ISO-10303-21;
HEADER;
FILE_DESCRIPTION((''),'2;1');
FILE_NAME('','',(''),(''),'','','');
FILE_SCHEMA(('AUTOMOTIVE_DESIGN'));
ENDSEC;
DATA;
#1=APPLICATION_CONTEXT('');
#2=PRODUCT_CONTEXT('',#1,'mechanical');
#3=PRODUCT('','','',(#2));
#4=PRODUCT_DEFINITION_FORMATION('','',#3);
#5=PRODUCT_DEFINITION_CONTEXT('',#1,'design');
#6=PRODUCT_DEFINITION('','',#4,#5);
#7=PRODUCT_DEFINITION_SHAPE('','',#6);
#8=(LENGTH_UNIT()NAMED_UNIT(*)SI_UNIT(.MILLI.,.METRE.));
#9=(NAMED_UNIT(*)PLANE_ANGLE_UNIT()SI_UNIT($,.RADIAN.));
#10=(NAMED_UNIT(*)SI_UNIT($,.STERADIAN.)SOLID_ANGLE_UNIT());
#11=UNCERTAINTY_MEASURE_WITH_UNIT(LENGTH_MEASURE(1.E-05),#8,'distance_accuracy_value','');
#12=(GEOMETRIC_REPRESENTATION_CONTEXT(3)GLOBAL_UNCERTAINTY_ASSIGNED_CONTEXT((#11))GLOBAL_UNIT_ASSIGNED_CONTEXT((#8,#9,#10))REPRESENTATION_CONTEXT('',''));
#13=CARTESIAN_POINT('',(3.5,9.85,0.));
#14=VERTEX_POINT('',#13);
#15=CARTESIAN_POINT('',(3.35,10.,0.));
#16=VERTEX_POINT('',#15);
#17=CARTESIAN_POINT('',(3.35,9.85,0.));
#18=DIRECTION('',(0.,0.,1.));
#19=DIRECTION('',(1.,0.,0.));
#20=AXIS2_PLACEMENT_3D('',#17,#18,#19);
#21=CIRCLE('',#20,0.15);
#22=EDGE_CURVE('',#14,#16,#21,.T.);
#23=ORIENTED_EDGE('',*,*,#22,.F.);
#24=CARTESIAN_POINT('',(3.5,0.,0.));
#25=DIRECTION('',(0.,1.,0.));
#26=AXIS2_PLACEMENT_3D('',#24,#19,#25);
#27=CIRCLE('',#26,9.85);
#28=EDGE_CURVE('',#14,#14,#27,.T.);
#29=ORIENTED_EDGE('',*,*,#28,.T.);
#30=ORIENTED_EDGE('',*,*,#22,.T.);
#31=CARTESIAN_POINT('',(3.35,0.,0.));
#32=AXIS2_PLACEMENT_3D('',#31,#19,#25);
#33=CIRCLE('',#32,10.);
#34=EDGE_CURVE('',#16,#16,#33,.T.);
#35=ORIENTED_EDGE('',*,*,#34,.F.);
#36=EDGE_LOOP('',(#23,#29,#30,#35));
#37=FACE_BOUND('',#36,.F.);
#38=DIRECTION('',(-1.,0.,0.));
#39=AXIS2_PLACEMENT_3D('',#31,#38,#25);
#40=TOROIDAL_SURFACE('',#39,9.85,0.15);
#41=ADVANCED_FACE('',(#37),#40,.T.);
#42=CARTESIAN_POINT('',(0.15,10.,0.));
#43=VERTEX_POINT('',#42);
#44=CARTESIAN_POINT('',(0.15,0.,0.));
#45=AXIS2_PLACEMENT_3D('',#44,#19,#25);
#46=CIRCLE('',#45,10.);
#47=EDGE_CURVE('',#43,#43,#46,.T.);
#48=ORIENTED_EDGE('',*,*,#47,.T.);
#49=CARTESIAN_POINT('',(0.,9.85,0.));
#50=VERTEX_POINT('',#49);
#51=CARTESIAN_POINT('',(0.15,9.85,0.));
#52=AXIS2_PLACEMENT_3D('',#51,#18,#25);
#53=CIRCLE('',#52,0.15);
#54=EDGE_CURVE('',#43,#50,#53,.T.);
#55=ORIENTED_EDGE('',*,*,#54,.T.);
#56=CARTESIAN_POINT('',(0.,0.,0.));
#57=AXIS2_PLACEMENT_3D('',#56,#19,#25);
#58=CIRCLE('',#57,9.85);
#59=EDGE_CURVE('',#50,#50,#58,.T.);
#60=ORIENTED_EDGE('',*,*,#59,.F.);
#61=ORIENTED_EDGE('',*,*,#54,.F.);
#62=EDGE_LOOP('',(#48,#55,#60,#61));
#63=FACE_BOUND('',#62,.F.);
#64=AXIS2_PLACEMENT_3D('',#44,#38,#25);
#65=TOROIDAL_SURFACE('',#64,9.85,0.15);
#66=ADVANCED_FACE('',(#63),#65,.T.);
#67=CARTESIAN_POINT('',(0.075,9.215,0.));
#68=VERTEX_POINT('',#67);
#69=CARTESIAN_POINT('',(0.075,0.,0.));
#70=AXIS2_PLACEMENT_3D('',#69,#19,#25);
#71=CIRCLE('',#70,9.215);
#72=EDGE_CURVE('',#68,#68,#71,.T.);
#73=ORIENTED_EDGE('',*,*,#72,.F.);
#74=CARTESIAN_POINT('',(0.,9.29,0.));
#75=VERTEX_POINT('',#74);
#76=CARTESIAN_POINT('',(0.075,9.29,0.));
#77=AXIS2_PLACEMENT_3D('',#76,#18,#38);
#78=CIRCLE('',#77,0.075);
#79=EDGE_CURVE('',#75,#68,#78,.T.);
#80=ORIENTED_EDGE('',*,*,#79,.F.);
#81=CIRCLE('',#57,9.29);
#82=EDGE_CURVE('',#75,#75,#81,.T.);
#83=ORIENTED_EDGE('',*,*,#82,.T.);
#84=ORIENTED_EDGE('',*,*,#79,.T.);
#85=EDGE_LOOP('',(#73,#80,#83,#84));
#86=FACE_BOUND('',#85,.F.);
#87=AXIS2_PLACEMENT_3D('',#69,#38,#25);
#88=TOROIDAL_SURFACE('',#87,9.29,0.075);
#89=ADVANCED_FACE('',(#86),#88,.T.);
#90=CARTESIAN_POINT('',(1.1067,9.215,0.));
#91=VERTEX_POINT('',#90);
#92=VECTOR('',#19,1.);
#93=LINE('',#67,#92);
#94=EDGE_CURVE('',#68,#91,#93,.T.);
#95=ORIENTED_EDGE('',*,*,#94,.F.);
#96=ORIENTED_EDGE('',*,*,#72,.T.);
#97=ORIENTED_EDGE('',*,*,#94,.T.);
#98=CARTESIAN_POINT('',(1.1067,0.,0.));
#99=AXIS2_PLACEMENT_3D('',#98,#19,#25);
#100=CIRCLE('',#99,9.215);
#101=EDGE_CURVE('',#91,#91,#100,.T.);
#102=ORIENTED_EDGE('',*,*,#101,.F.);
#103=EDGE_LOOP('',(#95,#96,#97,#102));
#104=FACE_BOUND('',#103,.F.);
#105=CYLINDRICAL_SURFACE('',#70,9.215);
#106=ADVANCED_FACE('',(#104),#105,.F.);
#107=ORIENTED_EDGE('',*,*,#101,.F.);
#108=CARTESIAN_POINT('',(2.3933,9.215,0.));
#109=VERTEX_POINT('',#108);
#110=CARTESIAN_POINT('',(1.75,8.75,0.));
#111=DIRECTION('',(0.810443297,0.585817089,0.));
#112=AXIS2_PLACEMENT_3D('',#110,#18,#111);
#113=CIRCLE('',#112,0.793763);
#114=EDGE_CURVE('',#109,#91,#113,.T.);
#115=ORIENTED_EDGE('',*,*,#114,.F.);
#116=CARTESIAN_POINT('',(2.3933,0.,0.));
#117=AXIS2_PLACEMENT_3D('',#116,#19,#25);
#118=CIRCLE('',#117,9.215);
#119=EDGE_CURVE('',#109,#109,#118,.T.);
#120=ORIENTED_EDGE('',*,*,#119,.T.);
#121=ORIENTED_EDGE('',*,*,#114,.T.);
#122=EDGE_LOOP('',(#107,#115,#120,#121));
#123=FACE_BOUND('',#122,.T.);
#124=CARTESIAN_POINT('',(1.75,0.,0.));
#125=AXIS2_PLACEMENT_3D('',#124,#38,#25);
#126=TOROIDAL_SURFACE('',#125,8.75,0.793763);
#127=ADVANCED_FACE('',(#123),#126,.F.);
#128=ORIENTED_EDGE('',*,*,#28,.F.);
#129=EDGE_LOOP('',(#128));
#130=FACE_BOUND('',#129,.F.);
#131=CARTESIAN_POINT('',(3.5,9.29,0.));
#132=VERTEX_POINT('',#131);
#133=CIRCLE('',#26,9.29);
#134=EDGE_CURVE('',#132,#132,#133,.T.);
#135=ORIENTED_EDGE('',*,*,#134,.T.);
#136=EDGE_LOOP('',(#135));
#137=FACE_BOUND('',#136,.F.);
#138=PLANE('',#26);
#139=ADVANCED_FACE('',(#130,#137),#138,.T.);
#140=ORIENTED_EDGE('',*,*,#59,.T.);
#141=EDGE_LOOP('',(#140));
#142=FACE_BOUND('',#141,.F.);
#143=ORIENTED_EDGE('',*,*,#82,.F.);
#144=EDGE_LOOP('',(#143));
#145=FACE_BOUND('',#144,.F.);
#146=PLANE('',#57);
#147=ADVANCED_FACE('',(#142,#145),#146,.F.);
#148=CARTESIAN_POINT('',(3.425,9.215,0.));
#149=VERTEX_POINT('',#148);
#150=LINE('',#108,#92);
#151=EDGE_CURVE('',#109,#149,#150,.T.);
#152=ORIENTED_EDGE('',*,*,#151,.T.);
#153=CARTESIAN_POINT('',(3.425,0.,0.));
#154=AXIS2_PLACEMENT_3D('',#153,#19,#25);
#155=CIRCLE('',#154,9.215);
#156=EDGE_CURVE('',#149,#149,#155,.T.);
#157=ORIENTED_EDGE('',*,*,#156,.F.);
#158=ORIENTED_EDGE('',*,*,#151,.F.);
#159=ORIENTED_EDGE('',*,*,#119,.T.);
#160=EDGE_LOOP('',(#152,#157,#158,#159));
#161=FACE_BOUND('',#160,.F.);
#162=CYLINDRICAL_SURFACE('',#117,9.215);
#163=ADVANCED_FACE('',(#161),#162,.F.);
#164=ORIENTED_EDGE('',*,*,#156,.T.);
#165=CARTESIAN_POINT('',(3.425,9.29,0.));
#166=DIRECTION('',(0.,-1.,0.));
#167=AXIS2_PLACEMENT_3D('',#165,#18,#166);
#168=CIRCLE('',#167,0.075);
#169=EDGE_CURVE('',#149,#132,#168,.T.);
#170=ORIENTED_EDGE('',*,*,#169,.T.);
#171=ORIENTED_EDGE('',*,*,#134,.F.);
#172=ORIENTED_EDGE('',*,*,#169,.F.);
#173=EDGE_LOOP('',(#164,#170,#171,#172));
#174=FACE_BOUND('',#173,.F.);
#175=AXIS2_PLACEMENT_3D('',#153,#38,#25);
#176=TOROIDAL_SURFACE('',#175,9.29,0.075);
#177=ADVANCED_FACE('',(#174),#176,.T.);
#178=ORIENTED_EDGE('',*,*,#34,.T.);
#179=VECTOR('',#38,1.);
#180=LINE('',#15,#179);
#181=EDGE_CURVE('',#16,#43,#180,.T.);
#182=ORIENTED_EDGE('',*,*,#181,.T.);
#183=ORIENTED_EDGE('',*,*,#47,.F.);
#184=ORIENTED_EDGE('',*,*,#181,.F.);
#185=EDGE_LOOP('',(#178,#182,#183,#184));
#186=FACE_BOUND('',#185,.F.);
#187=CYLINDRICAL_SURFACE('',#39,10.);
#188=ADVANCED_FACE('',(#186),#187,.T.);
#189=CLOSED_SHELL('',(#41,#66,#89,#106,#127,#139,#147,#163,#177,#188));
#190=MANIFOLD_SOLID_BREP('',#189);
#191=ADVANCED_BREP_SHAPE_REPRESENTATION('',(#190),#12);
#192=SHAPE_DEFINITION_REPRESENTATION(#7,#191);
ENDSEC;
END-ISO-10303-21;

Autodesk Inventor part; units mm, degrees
sketch "Sketch_1" plane through (0, 0, 0) normal (0, 0, 1) x (1, 0, 0)
  line L0 (3.5, 0) -> (0, 0)
  line L1 (0, 9.85) -> (0, 9.29)
  arc A0 (0, 9.29) -> (0.075, 9.215) centre (0.075, 9.29) ccw
  line L2 (0.075, 9.215) -> (1.1067, 9.215)
  arc A1 (2.3933, 9.215) -> (1.1067, 9.215) centre (1.75, 8.75) ccw
  line L3 (2.3933, 9.215) -> (3.425, 9.215)
  arc A2 (3.425, 9.215) -> (3.5, 9.29) centre (3.425, 9.29) ccw
  line L4 (3.5, 9.29) -> (3.5, 9.85)
  arc A3 (3.5, 9.85) -> (3.35, 10) centre (3.35, 9.85) ccw
  line L5 (3.35, 10) -> (0.15, 10)
  arc A4 (0.15, 10) -> (0, 9.85) centre (0.15, 9.85) ccw
revolve "Revolution1" add sketch "Sketch_1" angle 360 about axis through (3.5, 0, 0) along (1, 0, 0)
ref_plane "1_XY" through (1.75, 0, 0) normal (1, 0, 0) x (0, 0, -1)
ref_plane "1_YZ" through (1.75, 0, 0) normal (0, 0, -1) x (0, 1, 0)
ref_plane "1_ZX" through (1.75, 0, 0) normal (0, 1, 0) x (1, 0, 0)
properties part number "A-2015_or"
